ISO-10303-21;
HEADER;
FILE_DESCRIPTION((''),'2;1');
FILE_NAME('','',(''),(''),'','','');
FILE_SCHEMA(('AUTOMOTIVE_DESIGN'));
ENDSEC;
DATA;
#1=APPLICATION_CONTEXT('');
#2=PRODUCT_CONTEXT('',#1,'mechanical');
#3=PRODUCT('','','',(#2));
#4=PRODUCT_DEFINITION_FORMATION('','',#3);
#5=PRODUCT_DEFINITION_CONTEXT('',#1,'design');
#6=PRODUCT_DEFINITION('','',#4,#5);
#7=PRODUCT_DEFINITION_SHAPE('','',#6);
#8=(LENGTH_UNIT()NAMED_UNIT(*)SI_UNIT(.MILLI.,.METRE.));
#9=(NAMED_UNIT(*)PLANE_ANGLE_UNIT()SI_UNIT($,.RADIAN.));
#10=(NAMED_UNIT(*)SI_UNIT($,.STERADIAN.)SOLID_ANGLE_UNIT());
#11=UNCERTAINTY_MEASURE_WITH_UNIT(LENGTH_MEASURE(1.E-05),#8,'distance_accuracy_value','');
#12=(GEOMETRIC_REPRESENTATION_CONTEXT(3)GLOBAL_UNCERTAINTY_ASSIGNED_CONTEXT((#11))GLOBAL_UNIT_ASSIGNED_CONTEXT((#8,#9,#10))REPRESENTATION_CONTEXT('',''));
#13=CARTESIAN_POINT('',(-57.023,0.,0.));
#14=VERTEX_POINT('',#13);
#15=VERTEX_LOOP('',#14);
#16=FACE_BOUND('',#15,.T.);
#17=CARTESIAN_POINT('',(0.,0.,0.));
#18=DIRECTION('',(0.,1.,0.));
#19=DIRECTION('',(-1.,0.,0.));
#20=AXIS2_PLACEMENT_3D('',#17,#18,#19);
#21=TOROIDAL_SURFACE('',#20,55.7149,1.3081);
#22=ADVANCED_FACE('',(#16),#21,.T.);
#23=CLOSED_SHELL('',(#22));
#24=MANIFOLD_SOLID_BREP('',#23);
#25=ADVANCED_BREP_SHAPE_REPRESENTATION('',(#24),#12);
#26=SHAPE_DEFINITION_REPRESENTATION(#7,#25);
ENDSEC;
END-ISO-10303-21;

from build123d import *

# Parameters (mm, degrees)
SKETCH2_R = 1.3081


with BuildPart() as part:
    # Sketch2 → Revolve1 (revolve)
    with BuildSketch(Plane.XY):
        with Locations((-55.7149, 0)):
            Circle(SKETCH2_R)
    revolve(axis=Axis((0, 55.443723022, 0), (0, -1, 0)))


solid = part.part
